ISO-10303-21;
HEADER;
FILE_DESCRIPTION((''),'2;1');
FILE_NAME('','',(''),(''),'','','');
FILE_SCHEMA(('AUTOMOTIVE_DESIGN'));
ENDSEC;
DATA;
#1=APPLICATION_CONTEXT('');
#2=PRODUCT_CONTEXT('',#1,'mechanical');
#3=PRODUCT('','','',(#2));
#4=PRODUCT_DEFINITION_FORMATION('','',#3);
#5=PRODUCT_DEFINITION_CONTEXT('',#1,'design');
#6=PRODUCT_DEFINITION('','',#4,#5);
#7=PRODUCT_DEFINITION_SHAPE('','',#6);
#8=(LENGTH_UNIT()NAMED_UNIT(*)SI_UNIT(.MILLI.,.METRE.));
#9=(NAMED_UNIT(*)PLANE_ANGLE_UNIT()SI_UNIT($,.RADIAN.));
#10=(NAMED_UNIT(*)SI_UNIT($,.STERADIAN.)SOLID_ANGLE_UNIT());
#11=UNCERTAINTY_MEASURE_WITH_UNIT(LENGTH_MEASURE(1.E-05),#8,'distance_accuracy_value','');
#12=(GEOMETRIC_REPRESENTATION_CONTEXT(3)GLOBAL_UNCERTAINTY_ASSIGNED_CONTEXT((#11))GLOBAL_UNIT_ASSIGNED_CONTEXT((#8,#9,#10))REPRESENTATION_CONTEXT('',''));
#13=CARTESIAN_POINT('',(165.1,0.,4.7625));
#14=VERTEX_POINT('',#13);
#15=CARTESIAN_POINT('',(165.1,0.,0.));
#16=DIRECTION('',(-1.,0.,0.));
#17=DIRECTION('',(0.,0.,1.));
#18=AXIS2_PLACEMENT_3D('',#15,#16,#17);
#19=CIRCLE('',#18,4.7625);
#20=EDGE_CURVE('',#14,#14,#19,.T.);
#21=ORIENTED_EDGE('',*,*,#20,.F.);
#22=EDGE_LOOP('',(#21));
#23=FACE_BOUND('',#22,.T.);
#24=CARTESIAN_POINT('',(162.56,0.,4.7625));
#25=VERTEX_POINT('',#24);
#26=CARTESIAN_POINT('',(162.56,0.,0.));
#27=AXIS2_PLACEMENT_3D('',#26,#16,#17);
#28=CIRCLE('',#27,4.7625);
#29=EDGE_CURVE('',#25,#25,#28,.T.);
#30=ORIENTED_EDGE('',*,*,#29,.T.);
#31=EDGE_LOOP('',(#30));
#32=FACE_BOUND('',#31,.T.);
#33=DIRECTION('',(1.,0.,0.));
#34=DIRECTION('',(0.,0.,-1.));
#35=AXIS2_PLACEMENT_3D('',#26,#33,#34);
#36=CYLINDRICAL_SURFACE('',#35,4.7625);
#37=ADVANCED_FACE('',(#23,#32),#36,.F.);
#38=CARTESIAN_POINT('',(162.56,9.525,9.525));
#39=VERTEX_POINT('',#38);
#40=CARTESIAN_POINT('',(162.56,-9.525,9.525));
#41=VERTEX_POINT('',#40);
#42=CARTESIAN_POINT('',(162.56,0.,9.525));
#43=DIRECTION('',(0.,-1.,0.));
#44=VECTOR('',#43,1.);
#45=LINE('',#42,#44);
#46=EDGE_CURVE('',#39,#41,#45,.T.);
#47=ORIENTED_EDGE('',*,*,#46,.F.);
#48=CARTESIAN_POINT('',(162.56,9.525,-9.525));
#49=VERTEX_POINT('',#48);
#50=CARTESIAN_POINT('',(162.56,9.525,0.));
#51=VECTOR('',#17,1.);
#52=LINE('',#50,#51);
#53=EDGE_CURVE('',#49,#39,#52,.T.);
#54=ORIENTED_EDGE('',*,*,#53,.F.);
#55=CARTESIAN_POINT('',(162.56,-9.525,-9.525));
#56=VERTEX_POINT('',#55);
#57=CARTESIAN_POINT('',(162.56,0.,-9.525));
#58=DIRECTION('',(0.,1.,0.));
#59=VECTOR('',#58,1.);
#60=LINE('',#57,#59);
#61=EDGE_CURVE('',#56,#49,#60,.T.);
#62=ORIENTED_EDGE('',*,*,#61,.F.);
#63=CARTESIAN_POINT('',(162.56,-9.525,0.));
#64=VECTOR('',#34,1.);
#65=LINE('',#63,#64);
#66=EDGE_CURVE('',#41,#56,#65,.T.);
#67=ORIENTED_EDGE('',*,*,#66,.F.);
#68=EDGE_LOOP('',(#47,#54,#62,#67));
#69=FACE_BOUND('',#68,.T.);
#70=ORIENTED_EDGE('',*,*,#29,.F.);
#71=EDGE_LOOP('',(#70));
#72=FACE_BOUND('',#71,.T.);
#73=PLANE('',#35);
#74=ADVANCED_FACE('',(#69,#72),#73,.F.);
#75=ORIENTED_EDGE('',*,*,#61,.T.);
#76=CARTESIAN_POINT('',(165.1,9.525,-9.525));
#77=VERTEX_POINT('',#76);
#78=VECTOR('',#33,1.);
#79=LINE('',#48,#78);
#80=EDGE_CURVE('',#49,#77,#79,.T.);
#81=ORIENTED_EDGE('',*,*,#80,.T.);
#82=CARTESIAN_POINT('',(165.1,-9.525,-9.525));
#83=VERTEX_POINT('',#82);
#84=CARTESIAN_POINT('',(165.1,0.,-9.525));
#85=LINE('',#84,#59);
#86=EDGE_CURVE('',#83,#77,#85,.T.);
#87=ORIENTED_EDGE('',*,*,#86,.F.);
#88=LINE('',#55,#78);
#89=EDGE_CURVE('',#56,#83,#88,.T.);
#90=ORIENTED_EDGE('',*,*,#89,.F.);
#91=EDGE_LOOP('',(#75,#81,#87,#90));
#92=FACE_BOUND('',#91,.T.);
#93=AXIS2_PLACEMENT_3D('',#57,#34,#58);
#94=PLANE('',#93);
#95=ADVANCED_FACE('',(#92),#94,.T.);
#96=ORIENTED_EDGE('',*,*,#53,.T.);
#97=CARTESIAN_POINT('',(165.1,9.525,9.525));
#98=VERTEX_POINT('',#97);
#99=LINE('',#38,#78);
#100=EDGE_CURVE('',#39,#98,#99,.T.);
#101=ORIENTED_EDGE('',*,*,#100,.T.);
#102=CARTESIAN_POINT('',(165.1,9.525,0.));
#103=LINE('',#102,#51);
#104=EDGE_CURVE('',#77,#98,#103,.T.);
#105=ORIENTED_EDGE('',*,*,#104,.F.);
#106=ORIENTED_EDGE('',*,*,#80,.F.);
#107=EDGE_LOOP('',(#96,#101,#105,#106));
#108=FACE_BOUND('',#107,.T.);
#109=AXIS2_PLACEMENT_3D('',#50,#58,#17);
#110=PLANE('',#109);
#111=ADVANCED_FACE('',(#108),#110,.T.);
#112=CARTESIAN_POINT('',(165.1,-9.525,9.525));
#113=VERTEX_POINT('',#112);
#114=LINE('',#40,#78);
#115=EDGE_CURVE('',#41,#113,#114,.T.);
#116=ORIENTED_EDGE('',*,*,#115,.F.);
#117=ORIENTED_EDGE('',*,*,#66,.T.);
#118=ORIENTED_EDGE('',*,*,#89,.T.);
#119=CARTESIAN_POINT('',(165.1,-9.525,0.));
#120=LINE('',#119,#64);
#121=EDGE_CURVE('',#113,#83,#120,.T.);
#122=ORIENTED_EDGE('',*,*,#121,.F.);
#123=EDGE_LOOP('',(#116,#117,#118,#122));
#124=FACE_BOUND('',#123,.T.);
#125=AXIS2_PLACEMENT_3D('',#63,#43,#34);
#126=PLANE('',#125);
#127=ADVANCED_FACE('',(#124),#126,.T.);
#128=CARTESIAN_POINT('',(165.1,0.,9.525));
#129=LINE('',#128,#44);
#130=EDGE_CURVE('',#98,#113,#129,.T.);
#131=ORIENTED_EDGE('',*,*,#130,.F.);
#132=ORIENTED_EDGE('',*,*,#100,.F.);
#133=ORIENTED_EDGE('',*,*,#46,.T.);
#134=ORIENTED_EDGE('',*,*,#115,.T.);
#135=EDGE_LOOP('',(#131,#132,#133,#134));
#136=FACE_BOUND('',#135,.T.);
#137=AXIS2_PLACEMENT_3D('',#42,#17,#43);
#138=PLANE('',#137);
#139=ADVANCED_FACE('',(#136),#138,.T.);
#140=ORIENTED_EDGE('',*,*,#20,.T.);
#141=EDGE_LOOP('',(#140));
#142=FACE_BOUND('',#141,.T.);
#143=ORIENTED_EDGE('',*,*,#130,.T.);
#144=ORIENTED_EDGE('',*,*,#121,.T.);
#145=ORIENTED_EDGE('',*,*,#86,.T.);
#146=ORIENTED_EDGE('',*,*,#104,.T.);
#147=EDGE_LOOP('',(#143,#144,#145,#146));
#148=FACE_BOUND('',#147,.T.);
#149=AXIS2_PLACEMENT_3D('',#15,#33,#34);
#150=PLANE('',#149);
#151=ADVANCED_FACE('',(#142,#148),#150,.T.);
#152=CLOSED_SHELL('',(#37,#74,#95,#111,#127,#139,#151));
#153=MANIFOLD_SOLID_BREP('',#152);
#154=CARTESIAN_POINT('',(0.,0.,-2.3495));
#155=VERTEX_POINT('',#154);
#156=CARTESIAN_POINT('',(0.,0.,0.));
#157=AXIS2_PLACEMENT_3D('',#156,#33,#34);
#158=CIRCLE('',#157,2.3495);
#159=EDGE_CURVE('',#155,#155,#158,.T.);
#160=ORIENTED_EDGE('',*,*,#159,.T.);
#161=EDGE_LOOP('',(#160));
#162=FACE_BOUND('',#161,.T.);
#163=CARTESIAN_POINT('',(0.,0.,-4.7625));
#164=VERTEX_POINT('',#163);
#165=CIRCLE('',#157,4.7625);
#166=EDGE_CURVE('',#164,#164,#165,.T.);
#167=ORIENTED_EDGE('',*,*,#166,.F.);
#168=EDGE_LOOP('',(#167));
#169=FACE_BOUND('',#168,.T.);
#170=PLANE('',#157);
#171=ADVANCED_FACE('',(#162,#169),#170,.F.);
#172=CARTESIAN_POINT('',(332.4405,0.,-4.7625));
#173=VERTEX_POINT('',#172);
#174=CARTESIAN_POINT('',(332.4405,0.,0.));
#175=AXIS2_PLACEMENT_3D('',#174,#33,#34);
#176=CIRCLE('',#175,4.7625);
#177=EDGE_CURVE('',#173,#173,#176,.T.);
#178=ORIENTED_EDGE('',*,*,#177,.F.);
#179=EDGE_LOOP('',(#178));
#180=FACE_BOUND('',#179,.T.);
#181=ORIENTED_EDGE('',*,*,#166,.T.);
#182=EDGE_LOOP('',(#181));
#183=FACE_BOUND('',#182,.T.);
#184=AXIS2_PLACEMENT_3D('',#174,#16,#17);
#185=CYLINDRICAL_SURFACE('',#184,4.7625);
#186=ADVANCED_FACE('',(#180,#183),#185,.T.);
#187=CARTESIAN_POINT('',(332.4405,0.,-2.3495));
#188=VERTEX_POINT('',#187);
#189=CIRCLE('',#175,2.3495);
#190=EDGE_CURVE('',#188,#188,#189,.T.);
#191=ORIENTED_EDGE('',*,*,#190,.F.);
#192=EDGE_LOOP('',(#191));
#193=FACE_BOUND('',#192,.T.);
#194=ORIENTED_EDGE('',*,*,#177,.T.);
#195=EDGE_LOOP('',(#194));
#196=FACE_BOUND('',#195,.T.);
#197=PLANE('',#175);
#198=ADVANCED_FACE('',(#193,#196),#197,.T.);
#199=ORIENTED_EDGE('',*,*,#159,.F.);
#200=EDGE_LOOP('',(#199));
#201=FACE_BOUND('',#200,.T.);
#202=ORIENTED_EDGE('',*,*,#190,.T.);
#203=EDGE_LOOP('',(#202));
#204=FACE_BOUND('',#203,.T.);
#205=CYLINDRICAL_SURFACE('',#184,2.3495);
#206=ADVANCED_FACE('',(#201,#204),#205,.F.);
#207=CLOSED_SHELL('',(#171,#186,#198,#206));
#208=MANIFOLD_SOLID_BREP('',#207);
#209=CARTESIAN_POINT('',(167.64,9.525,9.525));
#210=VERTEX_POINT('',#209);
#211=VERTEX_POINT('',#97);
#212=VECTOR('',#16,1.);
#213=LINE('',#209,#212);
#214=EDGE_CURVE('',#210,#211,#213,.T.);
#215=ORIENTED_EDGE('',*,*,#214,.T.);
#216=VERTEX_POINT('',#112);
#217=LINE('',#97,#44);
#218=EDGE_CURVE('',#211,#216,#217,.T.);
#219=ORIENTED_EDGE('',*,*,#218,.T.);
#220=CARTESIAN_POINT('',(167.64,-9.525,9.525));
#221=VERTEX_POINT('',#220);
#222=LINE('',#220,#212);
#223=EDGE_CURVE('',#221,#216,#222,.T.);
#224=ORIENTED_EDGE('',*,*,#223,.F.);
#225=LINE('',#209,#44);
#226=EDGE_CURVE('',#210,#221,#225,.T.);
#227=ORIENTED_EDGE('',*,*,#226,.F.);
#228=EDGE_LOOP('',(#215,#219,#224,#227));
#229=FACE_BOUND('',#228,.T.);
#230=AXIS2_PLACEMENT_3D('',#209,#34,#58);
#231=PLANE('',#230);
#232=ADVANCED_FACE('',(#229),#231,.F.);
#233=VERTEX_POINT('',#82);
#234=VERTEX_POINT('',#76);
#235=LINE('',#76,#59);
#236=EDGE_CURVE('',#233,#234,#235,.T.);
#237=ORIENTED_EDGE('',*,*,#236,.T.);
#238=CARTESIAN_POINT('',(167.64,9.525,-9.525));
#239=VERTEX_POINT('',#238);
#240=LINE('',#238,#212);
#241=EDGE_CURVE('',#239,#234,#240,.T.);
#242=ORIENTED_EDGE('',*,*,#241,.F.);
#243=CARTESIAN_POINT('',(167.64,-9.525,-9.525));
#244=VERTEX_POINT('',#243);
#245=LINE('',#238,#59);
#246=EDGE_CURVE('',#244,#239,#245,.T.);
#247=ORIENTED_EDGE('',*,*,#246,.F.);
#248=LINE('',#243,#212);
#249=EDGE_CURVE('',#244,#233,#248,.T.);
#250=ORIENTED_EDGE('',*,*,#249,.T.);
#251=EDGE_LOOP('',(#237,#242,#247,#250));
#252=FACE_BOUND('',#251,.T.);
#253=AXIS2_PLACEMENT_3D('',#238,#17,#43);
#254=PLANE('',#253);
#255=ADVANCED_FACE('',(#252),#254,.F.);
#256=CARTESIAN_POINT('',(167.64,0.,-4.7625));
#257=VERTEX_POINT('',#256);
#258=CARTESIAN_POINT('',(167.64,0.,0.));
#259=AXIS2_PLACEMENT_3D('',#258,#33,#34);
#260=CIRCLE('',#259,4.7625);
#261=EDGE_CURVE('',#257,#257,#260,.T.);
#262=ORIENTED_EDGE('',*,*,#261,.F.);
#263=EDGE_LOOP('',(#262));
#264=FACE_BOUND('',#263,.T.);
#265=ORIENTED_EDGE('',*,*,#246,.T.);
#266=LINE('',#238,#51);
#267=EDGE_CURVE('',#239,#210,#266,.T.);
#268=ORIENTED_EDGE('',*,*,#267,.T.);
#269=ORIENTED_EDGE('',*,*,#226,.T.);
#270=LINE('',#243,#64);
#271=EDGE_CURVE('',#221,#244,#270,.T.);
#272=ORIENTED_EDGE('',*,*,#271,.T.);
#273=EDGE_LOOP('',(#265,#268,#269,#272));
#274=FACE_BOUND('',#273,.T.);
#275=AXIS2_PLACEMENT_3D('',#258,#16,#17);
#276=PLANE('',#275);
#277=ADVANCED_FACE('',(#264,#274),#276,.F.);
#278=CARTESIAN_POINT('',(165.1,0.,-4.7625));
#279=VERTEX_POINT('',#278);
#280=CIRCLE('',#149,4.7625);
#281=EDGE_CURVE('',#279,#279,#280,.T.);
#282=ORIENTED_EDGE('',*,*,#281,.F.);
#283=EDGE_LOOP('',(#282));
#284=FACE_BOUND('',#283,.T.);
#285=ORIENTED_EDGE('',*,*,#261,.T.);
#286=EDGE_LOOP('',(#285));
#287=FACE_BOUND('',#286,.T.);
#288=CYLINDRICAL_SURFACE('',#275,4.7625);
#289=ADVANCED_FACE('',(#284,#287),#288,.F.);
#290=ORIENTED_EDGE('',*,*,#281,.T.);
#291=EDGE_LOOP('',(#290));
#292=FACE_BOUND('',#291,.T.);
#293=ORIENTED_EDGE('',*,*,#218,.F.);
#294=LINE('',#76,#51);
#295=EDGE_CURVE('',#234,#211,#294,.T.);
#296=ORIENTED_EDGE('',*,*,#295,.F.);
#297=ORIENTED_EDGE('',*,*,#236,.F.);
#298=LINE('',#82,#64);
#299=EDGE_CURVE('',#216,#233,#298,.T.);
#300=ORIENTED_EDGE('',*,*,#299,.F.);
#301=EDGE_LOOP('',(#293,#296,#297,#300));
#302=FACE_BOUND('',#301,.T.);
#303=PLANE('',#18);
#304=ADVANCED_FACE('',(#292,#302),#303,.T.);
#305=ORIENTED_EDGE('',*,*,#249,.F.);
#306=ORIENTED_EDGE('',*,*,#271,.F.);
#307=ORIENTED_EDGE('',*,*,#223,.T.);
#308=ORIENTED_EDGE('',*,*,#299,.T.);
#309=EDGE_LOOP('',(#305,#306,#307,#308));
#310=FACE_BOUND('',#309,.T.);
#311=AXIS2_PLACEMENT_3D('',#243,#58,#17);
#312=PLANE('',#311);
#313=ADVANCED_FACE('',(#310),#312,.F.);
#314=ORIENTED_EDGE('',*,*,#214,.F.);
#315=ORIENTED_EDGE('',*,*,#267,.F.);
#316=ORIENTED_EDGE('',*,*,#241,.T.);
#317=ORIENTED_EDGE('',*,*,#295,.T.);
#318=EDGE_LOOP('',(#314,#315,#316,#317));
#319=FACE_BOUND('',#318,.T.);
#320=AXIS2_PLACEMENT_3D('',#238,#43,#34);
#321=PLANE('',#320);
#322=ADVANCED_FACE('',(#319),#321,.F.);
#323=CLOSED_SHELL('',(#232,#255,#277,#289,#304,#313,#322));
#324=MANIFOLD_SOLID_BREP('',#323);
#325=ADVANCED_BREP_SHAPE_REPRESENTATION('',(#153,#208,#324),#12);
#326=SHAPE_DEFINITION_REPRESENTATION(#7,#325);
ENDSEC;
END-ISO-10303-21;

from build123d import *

# Parameters (mm, degrees)
SKETCH1_R            = 4.7625
SKETCH1_R_2          = 2.3495
TOE_ROD_MEMBER_DEPTH = 332.4405
TOE_START            = 165.1
SKETCH2_W            = 19.05
SKETCH2_H            = 19.05
SKETCH2_R            = 4.7625
TOE_ROD_NUT_1_DEPTH  = 2.54
SKETCH3_W            = 19.05
SKETCH3_H            = 19.05
SKETCH3_R            = 4.7625
TOE_ROD_NUT_2_DEPTH  = 2.54


with BuildPart() as part:
    # Sketch1 → Toe Rod Member (new body)
    with BuildSketch(Plane.YZ):
        Circle(SKETCH1_R)
        Circle(SKETCH1_R_2, mode=Mode.SUBTRACT)
    extrude(amount=TOE_ROD_MEMBER_DEPTH)


with BuildPart() as body_2:
    # Sketch2 → Toe Rod Nut 1 (new body)
    with BuildSketch(Plane(origin=(0, 0, 0), x_dir=(0, 0, -1), z_dir=(1, 0, 0)).offset(TOE_START)):
        Rectangle(SKETCH2_W, SKETCH2_H)
        Circle(SKETCH2_R, mode=Mode.SUBTRACT)
    extrude(amount=TOE_ROD_NUT_1_DEPTH)


with BuildPart() as body_3:
    # Sketch3 → Toe Rod Nut 2 (new body)
    with BuildSketch(Plane(origin=(0, 0, 0), x_dir=(0, 0, -1), z_dir=(1, 0, 0)).offset(TOE_START)):
        Rectangle(SKETCH3_W, SKETCH3_H)
        with Locations(Location((0, 0, 0), (0, 0, 180))):
            Circle(SKETCH3_R, mode=Mode.SUBTRACT)
    extrude(amount=-TOE_ROD_NUT_2_DEPTH)


solid = Compound([part.part, body_2.part, body_3.part])
